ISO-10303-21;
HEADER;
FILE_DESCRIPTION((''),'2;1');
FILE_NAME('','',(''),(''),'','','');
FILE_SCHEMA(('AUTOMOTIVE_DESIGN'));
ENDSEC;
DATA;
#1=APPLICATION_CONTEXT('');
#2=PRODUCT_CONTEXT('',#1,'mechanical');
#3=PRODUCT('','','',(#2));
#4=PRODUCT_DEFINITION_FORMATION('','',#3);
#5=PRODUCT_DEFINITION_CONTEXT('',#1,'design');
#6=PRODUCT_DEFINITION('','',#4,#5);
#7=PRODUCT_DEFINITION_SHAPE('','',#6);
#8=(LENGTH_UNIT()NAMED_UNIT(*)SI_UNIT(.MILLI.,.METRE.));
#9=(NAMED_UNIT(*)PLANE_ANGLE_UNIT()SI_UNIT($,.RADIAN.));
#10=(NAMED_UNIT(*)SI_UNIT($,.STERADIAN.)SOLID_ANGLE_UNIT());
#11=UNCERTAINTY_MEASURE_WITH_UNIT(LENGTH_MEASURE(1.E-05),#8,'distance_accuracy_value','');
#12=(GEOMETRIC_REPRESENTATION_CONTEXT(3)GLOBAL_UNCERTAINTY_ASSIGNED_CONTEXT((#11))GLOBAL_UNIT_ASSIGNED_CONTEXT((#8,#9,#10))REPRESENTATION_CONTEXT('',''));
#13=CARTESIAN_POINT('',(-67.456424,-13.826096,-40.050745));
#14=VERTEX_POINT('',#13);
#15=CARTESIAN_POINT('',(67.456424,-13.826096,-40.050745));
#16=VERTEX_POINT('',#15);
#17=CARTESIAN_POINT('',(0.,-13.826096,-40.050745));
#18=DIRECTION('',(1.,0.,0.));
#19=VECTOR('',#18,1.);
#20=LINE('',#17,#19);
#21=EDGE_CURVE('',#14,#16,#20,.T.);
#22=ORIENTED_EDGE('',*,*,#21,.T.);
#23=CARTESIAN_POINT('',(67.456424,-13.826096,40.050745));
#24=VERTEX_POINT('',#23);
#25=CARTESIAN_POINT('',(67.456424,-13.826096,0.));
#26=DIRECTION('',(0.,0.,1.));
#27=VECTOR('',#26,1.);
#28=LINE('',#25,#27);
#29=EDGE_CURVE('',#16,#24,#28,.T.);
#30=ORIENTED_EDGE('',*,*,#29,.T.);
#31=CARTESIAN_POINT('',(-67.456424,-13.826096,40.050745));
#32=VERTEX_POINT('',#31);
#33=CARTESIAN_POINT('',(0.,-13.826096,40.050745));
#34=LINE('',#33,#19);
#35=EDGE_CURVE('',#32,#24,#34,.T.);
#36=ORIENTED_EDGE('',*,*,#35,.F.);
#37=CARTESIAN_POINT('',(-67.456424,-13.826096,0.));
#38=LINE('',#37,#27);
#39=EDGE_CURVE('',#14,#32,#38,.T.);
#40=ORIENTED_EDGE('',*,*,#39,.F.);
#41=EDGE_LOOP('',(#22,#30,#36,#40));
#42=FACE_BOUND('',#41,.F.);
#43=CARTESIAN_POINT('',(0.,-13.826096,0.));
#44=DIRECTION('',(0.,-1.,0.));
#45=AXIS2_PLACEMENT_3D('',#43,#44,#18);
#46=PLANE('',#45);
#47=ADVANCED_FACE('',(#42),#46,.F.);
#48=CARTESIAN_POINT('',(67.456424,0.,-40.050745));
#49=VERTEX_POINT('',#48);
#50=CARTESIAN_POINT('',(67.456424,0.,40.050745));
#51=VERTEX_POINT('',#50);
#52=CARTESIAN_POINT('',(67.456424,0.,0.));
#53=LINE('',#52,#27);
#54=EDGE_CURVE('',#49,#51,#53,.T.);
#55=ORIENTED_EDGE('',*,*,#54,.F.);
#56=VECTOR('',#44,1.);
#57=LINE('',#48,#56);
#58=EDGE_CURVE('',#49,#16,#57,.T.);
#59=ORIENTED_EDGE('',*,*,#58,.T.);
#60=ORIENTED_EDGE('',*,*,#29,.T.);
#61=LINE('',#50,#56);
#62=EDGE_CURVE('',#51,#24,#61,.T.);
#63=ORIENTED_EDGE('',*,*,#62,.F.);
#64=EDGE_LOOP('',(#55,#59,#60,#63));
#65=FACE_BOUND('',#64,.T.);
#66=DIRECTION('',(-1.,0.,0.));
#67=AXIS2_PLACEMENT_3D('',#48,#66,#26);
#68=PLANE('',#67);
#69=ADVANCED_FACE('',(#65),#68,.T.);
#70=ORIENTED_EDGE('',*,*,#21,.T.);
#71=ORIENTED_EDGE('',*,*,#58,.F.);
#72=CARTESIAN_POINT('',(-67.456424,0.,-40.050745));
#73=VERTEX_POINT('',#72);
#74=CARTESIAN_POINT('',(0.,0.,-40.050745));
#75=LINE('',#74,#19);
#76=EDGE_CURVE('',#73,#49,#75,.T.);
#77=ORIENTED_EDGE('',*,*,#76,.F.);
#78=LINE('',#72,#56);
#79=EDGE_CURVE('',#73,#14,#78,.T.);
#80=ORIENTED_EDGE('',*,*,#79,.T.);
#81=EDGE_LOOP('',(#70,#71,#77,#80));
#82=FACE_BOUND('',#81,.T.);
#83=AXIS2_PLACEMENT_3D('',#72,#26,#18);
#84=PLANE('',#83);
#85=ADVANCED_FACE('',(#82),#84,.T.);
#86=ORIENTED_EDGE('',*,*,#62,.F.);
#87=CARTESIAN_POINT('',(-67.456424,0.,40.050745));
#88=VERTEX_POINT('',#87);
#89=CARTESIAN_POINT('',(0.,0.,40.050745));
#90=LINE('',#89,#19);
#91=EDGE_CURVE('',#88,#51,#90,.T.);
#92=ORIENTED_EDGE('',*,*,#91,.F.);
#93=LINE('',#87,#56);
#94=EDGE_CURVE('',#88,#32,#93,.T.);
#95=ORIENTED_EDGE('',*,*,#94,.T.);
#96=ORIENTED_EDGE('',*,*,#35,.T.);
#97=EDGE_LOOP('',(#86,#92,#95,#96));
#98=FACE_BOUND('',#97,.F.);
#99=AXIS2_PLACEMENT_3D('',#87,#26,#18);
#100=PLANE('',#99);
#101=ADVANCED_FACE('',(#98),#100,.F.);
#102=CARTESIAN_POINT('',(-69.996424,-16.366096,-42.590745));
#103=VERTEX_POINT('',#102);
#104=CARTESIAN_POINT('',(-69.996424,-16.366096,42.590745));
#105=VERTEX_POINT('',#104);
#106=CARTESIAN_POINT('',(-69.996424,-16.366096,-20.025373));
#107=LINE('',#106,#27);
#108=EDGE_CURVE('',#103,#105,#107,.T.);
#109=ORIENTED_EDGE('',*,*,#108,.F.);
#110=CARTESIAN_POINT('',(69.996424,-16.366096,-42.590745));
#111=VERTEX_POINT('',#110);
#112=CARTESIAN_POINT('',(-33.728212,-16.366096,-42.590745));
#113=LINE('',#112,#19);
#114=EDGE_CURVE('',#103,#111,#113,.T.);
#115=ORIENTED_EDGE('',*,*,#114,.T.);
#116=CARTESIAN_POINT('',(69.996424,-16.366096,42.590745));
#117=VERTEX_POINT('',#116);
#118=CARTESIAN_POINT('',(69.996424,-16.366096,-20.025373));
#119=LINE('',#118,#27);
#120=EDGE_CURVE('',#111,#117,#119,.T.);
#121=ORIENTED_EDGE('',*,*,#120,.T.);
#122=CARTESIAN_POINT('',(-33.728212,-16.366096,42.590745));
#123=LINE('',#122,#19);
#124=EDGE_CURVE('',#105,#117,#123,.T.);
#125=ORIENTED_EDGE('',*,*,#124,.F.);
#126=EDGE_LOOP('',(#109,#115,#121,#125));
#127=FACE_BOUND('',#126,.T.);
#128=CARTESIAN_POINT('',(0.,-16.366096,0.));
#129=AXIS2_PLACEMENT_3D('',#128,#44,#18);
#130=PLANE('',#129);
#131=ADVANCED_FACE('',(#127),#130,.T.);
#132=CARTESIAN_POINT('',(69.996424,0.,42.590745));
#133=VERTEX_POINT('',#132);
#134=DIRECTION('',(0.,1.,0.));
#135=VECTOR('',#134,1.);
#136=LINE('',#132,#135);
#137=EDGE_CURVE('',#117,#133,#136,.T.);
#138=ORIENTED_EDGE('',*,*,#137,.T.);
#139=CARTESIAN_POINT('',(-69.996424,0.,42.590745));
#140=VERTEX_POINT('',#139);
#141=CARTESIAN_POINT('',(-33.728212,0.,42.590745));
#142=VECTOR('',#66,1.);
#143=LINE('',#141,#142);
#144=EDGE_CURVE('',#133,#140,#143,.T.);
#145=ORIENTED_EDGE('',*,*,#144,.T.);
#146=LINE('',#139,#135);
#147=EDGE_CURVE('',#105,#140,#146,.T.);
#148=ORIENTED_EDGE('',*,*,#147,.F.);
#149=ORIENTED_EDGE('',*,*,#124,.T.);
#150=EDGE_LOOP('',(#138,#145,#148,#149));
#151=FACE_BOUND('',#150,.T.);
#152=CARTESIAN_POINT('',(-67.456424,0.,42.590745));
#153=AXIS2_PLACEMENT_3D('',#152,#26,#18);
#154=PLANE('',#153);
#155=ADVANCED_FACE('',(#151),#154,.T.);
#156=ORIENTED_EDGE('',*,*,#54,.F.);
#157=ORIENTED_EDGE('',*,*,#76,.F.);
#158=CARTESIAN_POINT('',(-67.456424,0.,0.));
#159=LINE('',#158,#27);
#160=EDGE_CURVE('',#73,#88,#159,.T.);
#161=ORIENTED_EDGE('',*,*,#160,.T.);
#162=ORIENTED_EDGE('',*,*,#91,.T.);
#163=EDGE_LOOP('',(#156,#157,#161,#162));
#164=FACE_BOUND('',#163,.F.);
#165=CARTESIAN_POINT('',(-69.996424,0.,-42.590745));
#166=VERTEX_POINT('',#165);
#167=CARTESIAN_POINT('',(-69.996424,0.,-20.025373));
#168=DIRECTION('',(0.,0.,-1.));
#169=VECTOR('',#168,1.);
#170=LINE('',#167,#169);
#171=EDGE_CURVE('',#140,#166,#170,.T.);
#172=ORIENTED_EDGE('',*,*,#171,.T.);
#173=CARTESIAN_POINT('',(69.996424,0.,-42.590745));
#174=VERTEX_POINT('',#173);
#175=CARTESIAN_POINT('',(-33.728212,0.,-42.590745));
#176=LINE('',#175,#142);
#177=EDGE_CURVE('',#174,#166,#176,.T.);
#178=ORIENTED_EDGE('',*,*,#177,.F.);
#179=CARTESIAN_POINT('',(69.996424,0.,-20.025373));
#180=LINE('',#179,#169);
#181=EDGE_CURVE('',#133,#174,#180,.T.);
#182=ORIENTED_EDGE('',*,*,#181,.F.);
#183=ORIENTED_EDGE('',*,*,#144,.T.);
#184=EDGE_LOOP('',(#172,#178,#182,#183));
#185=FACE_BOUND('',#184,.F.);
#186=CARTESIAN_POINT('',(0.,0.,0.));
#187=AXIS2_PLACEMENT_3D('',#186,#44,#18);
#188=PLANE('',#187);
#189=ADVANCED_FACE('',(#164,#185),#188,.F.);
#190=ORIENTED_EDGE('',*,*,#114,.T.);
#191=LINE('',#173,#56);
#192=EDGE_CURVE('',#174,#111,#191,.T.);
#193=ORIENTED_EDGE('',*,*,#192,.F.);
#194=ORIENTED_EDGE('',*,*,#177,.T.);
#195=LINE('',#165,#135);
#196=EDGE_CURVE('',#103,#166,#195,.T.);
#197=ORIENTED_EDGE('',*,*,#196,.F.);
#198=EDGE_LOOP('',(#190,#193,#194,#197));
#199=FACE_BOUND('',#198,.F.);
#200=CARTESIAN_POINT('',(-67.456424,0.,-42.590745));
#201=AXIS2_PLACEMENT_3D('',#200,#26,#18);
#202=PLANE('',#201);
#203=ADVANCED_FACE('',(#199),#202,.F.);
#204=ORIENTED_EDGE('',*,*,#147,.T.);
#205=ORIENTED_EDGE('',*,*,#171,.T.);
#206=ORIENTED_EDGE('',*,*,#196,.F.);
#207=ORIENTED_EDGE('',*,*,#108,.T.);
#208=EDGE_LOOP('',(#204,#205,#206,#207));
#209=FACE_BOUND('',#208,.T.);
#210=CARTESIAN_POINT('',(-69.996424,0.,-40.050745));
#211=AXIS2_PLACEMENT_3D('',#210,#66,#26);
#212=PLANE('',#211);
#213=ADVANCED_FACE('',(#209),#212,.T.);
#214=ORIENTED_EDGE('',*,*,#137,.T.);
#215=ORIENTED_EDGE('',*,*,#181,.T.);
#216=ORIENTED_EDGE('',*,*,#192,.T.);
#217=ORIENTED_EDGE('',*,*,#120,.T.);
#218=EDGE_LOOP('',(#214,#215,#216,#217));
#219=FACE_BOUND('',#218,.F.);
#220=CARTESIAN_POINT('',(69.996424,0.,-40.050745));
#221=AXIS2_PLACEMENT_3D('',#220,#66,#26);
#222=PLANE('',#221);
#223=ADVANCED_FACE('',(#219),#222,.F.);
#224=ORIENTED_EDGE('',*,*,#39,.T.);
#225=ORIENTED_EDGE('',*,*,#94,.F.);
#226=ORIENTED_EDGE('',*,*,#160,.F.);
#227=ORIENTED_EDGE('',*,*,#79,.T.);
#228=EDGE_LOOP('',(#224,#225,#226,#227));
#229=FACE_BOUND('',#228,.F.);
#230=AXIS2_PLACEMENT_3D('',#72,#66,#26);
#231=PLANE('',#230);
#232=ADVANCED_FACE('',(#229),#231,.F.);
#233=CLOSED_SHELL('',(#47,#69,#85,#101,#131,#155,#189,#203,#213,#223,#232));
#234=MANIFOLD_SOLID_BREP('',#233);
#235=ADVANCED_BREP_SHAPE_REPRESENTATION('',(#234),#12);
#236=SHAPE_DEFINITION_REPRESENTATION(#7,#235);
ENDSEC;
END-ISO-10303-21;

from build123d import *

# Parameters (mm, degrees)
F0_W     = 134.9128484726
F0_H     = 80.1014900208
F1_DEPTH = 13.8260964304
F2_T     = 2.54


with BuildPart() as f1:
    # F0 (on Front) → F1 (new body)
    with BuildSketch(Plane.XZ):
        Rectangle(F0_W, F0_H)
    extrude(amount=F1_DEPTH)

    # F2
    f2_openings = [f1.faces().sort_by_distance(p)[0] for p in [
        (0, 0, 0),
    ]]
    offset(amount=F2_T, openings=f2_openings, kind=Kind.INTERSECTION)


solid = f1.part
